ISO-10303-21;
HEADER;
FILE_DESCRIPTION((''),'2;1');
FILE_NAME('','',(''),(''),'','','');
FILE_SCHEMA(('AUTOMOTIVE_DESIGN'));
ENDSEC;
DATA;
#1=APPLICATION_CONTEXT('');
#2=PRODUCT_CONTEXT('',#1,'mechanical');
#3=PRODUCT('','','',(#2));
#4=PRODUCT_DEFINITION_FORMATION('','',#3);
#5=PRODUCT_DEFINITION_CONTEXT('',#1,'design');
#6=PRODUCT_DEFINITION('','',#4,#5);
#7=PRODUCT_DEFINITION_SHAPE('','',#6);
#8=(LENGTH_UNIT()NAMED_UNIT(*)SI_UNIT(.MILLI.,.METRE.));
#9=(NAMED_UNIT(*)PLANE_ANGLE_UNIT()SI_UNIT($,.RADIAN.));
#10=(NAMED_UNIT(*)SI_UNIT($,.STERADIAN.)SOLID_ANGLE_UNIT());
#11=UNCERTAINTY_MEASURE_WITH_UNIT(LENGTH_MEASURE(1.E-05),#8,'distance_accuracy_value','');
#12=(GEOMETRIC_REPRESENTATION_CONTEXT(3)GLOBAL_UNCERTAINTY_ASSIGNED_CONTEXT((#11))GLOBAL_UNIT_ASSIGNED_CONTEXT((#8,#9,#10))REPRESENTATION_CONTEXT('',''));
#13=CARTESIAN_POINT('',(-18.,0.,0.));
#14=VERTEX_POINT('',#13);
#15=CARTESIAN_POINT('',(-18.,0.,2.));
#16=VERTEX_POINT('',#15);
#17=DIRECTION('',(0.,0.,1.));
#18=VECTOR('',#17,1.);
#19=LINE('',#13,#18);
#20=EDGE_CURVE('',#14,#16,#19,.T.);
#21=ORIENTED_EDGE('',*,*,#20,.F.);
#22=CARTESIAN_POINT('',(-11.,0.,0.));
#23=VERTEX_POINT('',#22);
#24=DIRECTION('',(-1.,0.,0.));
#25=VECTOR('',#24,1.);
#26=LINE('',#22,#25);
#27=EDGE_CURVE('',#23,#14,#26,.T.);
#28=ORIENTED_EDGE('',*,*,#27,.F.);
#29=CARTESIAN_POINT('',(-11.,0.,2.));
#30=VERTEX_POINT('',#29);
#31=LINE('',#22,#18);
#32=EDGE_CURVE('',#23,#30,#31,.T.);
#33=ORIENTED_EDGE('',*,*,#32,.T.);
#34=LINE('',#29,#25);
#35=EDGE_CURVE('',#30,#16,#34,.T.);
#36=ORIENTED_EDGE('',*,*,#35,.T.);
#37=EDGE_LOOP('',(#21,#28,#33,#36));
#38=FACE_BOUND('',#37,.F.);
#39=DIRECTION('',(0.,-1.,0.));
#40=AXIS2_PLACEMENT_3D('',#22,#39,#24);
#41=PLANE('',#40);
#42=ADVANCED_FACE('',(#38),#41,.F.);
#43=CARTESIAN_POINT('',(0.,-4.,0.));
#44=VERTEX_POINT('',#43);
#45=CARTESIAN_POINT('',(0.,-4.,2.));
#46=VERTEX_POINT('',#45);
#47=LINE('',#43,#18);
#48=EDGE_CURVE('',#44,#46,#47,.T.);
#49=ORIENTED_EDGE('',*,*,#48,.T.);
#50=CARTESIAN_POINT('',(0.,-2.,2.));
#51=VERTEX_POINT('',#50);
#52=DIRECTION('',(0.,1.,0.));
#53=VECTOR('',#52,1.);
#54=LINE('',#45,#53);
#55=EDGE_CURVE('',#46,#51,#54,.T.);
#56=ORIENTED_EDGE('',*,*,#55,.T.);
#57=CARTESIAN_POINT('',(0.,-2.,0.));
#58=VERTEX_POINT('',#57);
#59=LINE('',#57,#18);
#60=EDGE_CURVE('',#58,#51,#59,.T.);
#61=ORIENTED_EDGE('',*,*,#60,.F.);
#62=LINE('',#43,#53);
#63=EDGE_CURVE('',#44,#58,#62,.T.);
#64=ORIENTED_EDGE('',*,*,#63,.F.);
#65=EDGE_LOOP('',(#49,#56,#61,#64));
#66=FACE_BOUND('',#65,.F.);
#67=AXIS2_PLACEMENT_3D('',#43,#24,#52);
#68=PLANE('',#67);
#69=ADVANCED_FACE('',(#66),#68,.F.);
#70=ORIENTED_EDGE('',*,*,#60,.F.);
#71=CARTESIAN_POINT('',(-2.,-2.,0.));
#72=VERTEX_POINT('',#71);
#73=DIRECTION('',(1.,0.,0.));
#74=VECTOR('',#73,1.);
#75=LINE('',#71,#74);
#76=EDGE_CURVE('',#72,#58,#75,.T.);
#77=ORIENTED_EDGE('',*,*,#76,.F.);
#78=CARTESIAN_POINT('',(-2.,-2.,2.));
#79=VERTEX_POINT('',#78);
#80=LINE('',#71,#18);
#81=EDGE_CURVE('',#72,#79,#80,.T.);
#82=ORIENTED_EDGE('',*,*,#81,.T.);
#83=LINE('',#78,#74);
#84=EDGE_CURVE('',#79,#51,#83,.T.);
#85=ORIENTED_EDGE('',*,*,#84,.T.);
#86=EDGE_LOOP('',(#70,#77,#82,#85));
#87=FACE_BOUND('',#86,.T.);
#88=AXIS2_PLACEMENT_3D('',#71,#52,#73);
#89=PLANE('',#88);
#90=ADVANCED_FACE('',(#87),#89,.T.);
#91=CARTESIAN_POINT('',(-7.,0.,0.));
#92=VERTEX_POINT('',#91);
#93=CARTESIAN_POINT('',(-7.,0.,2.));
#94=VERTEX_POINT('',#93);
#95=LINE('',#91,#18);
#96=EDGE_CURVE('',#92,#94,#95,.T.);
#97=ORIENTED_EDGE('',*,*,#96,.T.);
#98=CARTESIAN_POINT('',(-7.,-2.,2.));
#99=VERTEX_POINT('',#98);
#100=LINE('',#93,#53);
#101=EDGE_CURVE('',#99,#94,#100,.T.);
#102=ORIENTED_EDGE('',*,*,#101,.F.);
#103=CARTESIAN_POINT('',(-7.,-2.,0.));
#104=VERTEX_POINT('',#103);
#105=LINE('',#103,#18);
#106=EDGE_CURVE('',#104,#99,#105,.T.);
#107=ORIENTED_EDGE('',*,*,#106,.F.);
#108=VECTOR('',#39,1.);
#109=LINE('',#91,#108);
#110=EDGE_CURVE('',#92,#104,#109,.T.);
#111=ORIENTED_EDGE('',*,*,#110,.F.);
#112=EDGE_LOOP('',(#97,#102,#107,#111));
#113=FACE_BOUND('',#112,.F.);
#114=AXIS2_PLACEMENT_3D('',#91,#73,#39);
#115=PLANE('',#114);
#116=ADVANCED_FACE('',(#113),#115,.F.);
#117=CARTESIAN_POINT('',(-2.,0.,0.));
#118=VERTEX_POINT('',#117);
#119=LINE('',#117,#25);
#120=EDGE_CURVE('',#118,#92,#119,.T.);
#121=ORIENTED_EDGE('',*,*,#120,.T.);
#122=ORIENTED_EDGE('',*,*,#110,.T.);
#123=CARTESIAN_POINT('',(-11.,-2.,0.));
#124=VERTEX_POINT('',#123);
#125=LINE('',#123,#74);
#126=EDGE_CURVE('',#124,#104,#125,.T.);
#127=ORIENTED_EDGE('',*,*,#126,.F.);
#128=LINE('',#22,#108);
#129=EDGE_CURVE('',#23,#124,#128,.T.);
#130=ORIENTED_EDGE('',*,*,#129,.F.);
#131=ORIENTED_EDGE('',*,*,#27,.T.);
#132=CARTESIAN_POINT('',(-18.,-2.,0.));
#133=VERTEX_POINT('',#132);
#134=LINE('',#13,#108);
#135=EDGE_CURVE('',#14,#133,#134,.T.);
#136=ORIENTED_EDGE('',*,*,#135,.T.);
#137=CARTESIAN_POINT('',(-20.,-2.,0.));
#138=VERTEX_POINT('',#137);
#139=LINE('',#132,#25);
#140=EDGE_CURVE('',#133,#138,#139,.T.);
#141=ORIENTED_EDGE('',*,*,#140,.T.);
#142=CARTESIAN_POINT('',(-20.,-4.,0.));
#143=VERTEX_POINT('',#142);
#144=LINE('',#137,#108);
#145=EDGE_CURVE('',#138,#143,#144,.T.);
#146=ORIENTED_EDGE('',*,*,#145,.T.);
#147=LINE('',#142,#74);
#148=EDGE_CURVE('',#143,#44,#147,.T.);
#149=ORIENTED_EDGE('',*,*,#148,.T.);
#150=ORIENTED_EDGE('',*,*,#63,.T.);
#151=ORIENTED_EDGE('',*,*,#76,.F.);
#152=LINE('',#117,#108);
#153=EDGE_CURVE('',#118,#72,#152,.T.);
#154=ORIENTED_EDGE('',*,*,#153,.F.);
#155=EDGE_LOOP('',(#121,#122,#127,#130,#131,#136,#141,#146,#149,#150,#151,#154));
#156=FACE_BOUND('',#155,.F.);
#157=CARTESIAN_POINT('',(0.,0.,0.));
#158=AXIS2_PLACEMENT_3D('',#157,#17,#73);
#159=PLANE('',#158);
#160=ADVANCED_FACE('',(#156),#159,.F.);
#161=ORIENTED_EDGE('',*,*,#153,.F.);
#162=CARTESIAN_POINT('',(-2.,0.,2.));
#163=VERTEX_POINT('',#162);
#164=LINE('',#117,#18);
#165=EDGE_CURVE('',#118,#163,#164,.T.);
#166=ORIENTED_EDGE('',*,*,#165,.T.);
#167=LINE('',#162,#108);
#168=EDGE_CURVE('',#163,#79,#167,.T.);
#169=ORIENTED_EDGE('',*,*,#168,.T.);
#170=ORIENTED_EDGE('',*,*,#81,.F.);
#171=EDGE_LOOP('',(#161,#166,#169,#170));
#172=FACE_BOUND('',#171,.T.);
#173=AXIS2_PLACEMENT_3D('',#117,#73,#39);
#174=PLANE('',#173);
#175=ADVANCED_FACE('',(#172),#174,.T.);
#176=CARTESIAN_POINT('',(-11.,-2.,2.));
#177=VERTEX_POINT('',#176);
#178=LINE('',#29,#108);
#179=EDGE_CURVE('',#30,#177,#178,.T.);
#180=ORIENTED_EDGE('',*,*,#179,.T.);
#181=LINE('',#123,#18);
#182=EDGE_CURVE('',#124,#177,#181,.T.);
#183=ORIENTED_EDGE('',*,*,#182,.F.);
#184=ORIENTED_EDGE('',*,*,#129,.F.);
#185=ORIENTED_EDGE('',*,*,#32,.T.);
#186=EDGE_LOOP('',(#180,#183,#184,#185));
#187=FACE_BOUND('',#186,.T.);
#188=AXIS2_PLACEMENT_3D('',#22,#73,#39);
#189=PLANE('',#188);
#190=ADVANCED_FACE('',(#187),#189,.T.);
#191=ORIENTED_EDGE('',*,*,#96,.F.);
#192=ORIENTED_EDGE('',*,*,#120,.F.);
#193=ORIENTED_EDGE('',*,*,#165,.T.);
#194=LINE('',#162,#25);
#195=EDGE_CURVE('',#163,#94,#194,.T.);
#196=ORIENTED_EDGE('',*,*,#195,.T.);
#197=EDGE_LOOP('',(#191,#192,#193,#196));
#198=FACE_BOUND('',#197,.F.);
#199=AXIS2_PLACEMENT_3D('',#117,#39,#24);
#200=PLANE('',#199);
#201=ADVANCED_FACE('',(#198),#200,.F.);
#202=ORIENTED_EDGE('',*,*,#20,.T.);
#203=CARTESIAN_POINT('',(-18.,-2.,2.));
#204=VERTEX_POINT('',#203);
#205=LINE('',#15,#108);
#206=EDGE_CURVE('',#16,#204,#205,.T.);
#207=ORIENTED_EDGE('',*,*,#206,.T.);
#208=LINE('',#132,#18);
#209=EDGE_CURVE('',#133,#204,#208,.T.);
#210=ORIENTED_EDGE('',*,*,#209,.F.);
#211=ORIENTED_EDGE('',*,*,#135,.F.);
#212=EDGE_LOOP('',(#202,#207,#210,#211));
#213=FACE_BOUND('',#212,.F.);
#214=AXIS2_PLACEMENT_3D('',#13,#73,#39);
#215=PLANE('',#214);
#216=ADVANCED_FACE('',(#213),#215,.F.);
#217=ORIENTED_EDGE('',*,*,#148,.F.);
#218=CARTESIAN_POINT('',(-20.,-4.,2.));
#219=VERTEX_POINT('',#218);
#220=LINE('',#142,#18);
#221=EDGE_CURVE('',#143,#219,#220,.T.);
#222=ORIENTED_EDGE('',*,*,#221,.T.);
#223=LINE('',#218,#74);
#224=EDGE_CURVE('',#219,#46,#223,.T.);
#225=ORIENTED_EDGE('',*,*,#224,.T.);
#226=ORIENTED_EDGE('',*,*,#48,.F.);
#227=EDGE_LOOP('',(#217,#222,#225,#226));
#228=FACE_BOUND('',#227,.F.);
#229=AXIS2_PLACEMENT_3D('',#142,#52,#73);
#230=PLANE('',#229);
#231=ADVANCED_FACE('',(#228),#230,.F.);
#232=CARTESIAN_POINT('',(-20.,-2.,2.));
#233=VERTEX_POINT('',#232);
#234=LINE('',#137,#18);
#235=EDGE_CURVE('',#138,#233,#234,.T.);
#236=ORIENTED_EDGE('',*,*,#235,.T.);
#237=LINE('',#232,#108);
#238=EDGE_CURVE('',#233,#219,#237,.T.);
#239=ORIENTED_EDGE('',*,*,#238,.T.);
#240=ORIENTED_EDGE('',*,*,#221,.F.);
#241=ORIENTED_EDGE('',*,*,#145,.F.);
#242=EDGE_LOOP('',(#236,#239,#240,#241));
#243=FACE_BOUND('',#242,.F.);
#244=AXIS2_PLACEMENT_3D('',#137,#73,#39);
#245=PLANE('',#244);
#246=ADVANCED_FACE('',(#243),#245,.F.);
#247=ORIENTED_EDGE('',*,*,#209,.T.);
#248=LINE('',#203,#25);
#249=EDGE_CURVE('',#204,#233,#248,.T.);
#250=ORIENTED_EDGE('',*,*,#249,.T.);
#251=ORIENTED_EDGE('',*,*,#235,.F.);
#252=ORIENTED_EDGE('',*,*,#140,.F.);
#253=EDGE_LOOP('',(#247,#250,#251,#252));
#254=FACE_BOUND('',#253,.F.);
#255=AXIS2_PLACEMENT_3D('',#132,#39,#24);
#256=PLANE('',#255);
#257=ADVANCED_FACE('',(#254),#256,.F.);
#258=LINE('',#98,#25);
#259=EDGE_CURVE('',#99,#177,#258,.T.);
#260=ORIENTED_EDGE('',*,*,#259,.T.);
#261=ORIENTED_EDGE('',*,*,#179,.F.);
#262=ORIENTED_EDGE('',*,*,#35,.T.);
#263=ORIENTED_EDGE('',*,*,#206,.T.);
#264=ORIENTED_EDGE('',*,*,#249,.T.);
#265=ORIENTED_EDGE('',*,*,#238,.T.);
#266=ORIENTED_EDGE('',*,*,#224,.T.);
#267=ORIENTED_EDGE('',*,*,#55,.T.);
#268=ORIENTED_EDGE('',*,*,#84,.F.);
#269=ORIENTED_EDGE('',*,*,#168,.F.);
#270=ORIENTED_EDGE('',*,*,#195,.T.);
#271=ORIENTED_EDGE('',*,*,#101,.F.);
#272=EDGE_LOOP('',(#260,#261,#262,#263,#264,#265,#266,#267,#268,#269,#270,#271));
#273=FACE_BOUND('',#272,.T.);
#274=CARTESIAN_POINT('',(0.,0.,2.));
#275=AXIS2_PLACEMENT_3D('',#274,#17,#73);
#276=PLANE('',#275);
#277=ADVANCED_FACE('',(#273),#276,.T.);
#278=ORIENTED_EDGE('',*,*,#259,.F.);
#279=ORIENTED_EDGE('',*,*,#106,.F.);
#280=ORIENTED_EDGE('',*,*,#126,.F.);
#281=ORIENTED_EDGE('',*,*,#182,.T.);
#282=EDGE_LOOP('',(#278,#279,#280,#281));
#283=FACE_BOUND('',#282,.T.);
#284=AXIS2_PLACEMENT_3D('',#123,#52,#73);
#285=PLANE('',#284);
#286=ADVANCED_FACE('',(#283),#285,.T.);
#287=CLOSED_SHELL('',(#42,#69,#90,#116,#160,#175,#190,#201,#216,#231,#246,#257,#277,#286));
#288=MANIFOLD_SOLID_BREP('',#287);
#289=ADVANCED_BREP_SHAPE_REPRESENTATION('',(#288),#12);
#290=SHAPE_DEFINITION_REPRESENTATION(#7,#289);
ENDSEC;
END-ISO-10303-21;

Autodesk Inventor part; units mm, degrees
ref_plane "YZ Plane" through (0, 0, 0) normal (1, 0, 0) x (0, 1, 0)
ref_plane "XZ Plane" through (0, 0, 0) normal (0, 1, 0) x (-1, 0, 0)
ref_plane "XY Plane" through (0, 0, 0) normal (0, 0, 1) x (1, 0, 0)
sketch "Sketch1" plane through (0, 0, 0) normal (0, 0, 1) x (1, 0, 0)
  line L0 (-20, -4) -> (0, -4)
  line L1 (0, -4) -> (0, -2)
  line L2 (-18, 0) -> (-18, -2)
  line L3 (-18, -2) -> (-20, -2)
  line L4 (-2, 0) -> (-2, -2)
  line L5 (-2, -2) -> (0, -2)
  line L6 (-2, 0) -> (-9, 0)
  line L7 (-20, -2) -> (-20, -4)
  line L8 (-11, 0) -> (-11, -2)
  line L9 (-11, -2) -> (-9, -2)
  line L10 (-9, -2) -> (-9, 0)
  line L11 (-11, 0) -> (-18, 0)
  point P0 (0, 0)
  dimension "d0" = 4
  dimension "d1" = 20
  dimension "d2" = 2
  dimension "d3" = 2
  dimension "d4" = 2
  dimension "d7" = 2
  dimension "d8" = 2
  dimension "d9" = 9
extrude "Extrusion1" add sketch "Sketch1" along normal blind 2
sketch "Sketch2" plane through (0, 0, 0) normal (0, 0, -1) x (-1, 0, 0)
  line L0 (2, 0) -> (9, 0) projected
  line L1 (9, 0) -> (7, 0)
  line L2 (7, 0) -> (7, -2)
  line L3 (7, -2) -> (9, -2)
  line L4 (9, -2) -> (9, 0)
  point P0 (0, 0)
  dimension "d10" = 2
  dimension "d11" = 2
extrude "Extrusion2" cut sketch "Sketch2" against normal blind 10
properties part number "beam2" material "Wood (Cherry)"
